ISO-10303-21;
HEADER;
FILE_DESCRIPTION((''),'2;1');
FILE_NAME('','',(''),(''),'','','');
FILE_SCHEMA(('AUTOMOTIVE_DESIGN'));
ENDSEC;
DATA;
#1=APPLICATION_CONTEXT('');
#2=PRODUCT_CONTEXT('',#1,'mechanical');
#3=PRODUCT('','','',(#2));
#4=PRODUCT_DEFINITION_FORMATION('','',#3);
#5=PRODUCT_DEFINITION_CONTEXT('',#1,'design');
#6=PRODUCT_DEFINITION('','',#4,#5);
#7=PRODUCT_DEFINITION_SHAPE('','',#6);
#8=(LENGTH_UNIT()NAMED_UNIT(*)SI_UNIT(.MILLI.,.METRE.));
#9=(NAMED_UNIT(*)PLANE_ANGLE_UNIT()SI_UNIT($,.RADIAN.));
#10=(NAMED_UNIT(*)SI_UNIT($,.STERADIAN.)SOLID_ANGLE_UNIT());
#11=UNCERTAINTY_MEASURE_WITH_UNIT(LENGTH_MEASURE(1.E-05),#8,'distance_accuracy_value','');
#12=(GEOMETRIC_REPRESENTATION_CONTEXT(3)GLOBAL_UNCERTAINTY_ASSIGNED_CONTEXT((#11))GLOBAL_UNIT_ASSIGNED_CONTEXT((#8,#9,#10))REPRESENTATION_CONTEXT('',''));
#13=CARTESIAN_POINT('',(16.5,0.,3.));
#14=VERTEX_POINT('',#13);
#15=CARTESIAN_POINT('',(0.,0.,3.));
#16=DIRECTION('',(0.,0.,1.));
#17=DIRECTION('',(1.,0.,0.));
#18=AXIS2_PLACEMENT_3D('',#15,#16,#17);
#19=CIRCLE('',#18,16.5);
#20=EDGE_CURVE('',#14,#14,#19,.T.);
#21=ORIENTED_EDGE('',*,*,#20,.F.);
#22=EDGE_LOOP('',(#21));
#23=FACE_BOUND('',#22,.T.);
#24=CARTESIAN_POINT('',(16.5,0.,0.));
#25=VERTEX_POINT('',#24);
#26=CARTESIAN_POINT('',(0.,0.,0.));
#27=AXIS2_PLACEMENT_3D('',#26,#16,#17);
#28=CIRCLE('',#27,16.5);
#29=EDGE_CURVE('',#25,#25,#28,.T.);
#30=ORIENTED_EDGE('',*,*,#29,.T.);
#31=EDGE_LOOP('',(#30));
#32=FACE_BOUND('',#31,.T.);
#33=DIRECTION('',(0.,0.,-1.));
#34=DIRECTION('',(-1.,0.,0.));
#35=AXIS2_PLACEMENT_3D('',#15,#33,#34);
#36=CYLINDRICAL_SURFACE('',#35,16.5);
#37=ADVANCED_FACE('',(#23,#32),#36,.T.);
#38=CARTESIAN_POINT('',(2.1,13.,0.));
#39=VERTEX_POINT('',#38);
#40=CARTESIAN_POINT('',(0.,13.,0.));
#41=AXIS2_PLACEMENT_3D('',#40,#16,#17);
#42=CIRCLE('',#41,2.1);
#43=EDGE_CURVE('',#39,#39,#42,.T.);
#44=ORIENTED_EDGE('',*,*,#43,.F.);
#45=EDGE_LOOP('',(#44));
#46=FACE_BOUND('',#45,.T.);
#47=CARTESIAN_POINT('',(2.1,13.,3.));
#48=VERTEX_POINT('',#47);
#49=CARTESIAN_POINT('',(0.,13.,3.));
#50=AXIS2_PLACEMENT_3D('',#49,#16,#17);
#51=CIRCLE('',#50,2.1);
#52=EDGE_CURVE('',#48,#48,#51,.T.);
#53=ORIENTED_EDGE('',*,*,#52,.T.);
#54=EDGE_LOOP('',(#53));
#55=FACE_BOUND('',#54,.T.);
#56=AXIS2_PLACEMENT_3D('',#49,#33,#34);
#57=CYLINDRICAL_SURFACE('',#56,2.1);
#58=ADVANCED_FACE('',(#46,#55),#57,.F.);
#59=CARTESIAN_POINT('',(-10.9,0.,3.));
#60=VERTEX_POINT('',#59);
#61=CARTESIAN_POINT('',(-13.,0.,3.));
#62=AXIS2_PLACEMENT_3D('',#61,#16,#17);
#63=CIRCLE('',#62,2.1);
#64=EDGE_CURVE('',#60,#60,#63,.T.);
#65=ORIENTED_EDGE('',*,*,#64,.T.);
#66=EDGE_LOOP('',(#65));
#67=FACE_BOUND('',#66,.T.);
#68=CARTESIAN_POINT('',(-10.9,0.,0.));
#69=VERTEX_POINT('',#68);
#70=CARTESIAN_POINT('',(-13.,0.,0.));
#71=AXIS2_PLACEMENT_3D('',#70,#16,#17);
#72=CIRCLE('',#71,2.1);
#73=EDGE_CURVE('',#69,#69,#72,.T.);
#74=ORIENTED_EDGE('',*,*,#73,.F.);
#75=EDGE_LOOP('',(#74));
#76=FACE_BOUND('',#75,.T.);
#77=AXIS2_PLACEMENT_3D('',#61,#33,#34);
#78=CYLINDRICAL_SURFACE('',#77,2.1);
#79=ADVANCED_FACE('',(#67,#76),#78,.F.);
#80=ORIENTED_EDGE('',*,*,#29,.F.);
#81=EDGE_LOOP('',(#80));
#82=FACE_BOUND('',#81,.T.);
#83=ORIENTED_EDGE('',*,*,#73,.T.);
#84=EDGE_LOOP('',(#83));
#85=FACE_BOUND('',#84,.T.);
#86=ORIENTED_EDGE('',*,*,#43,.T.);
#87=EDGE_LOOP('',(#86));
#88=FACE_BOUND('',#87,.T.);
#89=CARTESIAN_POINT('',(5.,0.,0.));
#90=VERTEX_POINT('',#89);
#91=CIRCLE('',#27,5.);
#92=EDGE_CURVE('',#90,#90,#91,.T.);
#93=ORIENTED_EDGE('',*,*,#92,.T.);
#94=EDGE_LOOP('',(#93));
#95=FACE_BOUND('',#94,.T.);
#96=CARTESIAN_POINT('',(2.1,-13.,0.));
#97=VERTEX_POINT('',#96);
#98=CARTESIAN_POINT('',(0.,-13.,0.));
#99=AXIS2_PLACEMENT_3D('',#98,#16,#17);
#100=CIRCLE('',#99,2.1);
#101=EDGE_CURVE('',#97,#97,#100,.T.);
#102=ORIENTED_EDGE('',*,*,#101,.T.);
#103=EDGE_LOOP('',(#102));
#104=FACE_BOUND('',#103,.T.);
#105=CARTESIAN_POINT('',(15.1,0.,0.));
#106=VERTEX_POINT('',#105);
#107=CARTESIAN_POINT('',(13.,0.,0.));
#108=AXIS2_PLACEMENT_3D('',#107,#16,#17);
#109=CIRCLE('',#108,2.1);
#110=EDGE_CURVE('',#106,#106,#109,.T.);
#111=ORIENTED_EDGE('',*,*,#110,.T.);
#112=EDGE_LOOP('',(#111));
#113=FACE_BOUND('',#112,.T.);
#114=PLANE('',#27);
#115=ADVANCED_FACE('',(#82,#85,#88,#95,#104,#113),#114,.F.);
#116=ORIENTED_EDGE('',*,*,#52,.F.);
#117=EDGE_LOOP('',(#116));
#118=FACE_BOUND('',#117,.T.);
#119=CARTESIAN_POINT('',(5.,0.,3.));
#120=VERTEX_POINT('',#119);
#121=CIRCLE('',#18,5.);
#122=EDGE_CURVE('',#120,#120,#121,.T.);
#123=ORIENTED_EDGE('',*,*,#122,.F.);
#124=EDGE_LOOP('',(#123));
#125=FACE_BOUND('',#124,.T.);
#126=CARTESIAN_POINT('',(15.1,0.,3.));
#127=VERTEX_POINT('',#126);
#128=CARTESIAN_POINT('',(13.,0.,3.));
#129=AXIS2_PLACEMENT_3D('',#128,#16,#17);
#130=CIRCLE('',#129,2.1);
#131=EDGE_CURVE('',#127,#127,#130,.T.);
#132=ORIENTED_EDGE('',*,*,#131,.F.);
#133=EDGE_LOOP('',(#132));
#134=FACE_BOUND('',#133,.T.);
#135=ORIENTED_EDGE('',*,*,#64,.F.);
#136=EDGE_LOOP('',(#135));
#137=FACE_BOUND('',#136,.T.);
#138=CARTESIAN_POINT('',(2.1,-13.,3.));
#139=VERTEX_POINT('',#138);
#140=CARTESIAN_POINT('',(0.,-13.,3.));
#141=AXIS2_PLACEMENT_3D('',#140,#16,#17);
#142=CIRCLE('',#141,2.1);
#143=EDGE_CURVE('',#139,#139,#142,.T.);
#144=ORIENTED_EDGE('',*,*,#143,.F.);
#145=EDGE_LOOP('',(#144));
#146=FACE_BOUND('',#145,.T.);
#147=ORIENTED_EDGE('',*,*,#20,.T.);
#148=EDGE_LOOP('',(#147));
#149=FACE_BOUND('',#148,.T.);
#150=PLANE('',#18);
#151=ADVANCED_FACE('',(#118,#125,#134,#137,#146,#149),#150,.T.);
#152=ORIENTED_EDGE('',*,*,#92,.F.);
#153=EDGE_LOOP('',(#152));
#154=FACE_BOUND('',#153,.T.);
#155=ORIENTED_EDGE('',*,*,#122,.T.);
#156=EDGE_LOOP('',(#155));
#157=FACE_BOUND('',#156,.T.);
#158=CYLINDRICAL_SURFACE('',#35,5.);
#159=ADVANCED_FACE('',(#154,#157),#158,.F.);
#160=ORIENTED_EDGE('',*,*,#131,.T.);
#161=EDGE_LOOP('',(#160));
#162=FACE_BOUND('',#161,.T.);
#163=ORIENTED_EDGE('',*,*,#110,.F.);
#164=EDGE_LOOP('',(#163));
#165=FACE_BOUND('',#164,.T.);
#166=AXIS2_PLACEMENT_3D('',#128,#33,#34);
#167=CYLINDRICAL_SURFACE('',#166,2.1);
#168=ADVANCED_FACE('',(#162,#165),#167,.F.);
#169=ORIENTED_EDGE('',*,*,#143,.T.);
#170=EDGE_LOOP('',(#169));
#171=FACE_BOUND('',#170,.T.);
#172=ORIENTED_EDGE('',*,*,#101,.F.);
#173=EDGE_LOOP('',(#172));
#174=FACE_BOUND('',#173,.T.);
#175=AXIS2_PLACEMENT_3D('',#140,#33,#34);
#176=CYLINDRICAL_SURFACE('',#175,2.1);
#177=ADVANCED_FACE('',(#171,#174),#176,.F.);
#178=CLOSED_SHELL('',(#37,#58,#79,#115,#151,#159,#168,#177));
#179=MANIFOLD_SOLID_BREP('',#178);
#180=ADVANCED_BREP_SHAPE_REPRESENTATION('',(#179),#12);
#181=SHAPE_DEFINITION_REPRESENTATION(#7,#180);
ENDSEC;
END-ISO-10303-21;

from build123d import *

# Parameters (mm, degrees)
SKETCH_1_R      = 16.5
SKETCH_1_R_2    = 2.1
SKETCH_1_R_3    = 5
EXTRUDE_1_DEPTH = 3


with BuildPart() as part:
    # 草图1 → 凸台-拉伸1 (new body)
    with BuildSketch(Plane.XY):
        Circle(SKETCH_1_R)
        with Locations((0, 13)):
            Circle(SKETCH_1_R_2, mode=Mode.SUBTRACT)
        with Locations((13, 0)):
            Circle(SKETCH_1_R_2, mode=Mode.SUBTRACT)
        with Locations((0, -13)):
            Circle(SKETCH_1_R_2, mode=Mode.SUBTRACT)
        with Locations((-13, 0)):
            Circle(SKETCH_1_R_2, mode=Mode.SUBTRACT)
        Circle(SKETCH_1_R_3, mode=Mode.SUBTRACT)
    extrude(amount=EXTRUDE_1_DEPTH)


solid = part.part
